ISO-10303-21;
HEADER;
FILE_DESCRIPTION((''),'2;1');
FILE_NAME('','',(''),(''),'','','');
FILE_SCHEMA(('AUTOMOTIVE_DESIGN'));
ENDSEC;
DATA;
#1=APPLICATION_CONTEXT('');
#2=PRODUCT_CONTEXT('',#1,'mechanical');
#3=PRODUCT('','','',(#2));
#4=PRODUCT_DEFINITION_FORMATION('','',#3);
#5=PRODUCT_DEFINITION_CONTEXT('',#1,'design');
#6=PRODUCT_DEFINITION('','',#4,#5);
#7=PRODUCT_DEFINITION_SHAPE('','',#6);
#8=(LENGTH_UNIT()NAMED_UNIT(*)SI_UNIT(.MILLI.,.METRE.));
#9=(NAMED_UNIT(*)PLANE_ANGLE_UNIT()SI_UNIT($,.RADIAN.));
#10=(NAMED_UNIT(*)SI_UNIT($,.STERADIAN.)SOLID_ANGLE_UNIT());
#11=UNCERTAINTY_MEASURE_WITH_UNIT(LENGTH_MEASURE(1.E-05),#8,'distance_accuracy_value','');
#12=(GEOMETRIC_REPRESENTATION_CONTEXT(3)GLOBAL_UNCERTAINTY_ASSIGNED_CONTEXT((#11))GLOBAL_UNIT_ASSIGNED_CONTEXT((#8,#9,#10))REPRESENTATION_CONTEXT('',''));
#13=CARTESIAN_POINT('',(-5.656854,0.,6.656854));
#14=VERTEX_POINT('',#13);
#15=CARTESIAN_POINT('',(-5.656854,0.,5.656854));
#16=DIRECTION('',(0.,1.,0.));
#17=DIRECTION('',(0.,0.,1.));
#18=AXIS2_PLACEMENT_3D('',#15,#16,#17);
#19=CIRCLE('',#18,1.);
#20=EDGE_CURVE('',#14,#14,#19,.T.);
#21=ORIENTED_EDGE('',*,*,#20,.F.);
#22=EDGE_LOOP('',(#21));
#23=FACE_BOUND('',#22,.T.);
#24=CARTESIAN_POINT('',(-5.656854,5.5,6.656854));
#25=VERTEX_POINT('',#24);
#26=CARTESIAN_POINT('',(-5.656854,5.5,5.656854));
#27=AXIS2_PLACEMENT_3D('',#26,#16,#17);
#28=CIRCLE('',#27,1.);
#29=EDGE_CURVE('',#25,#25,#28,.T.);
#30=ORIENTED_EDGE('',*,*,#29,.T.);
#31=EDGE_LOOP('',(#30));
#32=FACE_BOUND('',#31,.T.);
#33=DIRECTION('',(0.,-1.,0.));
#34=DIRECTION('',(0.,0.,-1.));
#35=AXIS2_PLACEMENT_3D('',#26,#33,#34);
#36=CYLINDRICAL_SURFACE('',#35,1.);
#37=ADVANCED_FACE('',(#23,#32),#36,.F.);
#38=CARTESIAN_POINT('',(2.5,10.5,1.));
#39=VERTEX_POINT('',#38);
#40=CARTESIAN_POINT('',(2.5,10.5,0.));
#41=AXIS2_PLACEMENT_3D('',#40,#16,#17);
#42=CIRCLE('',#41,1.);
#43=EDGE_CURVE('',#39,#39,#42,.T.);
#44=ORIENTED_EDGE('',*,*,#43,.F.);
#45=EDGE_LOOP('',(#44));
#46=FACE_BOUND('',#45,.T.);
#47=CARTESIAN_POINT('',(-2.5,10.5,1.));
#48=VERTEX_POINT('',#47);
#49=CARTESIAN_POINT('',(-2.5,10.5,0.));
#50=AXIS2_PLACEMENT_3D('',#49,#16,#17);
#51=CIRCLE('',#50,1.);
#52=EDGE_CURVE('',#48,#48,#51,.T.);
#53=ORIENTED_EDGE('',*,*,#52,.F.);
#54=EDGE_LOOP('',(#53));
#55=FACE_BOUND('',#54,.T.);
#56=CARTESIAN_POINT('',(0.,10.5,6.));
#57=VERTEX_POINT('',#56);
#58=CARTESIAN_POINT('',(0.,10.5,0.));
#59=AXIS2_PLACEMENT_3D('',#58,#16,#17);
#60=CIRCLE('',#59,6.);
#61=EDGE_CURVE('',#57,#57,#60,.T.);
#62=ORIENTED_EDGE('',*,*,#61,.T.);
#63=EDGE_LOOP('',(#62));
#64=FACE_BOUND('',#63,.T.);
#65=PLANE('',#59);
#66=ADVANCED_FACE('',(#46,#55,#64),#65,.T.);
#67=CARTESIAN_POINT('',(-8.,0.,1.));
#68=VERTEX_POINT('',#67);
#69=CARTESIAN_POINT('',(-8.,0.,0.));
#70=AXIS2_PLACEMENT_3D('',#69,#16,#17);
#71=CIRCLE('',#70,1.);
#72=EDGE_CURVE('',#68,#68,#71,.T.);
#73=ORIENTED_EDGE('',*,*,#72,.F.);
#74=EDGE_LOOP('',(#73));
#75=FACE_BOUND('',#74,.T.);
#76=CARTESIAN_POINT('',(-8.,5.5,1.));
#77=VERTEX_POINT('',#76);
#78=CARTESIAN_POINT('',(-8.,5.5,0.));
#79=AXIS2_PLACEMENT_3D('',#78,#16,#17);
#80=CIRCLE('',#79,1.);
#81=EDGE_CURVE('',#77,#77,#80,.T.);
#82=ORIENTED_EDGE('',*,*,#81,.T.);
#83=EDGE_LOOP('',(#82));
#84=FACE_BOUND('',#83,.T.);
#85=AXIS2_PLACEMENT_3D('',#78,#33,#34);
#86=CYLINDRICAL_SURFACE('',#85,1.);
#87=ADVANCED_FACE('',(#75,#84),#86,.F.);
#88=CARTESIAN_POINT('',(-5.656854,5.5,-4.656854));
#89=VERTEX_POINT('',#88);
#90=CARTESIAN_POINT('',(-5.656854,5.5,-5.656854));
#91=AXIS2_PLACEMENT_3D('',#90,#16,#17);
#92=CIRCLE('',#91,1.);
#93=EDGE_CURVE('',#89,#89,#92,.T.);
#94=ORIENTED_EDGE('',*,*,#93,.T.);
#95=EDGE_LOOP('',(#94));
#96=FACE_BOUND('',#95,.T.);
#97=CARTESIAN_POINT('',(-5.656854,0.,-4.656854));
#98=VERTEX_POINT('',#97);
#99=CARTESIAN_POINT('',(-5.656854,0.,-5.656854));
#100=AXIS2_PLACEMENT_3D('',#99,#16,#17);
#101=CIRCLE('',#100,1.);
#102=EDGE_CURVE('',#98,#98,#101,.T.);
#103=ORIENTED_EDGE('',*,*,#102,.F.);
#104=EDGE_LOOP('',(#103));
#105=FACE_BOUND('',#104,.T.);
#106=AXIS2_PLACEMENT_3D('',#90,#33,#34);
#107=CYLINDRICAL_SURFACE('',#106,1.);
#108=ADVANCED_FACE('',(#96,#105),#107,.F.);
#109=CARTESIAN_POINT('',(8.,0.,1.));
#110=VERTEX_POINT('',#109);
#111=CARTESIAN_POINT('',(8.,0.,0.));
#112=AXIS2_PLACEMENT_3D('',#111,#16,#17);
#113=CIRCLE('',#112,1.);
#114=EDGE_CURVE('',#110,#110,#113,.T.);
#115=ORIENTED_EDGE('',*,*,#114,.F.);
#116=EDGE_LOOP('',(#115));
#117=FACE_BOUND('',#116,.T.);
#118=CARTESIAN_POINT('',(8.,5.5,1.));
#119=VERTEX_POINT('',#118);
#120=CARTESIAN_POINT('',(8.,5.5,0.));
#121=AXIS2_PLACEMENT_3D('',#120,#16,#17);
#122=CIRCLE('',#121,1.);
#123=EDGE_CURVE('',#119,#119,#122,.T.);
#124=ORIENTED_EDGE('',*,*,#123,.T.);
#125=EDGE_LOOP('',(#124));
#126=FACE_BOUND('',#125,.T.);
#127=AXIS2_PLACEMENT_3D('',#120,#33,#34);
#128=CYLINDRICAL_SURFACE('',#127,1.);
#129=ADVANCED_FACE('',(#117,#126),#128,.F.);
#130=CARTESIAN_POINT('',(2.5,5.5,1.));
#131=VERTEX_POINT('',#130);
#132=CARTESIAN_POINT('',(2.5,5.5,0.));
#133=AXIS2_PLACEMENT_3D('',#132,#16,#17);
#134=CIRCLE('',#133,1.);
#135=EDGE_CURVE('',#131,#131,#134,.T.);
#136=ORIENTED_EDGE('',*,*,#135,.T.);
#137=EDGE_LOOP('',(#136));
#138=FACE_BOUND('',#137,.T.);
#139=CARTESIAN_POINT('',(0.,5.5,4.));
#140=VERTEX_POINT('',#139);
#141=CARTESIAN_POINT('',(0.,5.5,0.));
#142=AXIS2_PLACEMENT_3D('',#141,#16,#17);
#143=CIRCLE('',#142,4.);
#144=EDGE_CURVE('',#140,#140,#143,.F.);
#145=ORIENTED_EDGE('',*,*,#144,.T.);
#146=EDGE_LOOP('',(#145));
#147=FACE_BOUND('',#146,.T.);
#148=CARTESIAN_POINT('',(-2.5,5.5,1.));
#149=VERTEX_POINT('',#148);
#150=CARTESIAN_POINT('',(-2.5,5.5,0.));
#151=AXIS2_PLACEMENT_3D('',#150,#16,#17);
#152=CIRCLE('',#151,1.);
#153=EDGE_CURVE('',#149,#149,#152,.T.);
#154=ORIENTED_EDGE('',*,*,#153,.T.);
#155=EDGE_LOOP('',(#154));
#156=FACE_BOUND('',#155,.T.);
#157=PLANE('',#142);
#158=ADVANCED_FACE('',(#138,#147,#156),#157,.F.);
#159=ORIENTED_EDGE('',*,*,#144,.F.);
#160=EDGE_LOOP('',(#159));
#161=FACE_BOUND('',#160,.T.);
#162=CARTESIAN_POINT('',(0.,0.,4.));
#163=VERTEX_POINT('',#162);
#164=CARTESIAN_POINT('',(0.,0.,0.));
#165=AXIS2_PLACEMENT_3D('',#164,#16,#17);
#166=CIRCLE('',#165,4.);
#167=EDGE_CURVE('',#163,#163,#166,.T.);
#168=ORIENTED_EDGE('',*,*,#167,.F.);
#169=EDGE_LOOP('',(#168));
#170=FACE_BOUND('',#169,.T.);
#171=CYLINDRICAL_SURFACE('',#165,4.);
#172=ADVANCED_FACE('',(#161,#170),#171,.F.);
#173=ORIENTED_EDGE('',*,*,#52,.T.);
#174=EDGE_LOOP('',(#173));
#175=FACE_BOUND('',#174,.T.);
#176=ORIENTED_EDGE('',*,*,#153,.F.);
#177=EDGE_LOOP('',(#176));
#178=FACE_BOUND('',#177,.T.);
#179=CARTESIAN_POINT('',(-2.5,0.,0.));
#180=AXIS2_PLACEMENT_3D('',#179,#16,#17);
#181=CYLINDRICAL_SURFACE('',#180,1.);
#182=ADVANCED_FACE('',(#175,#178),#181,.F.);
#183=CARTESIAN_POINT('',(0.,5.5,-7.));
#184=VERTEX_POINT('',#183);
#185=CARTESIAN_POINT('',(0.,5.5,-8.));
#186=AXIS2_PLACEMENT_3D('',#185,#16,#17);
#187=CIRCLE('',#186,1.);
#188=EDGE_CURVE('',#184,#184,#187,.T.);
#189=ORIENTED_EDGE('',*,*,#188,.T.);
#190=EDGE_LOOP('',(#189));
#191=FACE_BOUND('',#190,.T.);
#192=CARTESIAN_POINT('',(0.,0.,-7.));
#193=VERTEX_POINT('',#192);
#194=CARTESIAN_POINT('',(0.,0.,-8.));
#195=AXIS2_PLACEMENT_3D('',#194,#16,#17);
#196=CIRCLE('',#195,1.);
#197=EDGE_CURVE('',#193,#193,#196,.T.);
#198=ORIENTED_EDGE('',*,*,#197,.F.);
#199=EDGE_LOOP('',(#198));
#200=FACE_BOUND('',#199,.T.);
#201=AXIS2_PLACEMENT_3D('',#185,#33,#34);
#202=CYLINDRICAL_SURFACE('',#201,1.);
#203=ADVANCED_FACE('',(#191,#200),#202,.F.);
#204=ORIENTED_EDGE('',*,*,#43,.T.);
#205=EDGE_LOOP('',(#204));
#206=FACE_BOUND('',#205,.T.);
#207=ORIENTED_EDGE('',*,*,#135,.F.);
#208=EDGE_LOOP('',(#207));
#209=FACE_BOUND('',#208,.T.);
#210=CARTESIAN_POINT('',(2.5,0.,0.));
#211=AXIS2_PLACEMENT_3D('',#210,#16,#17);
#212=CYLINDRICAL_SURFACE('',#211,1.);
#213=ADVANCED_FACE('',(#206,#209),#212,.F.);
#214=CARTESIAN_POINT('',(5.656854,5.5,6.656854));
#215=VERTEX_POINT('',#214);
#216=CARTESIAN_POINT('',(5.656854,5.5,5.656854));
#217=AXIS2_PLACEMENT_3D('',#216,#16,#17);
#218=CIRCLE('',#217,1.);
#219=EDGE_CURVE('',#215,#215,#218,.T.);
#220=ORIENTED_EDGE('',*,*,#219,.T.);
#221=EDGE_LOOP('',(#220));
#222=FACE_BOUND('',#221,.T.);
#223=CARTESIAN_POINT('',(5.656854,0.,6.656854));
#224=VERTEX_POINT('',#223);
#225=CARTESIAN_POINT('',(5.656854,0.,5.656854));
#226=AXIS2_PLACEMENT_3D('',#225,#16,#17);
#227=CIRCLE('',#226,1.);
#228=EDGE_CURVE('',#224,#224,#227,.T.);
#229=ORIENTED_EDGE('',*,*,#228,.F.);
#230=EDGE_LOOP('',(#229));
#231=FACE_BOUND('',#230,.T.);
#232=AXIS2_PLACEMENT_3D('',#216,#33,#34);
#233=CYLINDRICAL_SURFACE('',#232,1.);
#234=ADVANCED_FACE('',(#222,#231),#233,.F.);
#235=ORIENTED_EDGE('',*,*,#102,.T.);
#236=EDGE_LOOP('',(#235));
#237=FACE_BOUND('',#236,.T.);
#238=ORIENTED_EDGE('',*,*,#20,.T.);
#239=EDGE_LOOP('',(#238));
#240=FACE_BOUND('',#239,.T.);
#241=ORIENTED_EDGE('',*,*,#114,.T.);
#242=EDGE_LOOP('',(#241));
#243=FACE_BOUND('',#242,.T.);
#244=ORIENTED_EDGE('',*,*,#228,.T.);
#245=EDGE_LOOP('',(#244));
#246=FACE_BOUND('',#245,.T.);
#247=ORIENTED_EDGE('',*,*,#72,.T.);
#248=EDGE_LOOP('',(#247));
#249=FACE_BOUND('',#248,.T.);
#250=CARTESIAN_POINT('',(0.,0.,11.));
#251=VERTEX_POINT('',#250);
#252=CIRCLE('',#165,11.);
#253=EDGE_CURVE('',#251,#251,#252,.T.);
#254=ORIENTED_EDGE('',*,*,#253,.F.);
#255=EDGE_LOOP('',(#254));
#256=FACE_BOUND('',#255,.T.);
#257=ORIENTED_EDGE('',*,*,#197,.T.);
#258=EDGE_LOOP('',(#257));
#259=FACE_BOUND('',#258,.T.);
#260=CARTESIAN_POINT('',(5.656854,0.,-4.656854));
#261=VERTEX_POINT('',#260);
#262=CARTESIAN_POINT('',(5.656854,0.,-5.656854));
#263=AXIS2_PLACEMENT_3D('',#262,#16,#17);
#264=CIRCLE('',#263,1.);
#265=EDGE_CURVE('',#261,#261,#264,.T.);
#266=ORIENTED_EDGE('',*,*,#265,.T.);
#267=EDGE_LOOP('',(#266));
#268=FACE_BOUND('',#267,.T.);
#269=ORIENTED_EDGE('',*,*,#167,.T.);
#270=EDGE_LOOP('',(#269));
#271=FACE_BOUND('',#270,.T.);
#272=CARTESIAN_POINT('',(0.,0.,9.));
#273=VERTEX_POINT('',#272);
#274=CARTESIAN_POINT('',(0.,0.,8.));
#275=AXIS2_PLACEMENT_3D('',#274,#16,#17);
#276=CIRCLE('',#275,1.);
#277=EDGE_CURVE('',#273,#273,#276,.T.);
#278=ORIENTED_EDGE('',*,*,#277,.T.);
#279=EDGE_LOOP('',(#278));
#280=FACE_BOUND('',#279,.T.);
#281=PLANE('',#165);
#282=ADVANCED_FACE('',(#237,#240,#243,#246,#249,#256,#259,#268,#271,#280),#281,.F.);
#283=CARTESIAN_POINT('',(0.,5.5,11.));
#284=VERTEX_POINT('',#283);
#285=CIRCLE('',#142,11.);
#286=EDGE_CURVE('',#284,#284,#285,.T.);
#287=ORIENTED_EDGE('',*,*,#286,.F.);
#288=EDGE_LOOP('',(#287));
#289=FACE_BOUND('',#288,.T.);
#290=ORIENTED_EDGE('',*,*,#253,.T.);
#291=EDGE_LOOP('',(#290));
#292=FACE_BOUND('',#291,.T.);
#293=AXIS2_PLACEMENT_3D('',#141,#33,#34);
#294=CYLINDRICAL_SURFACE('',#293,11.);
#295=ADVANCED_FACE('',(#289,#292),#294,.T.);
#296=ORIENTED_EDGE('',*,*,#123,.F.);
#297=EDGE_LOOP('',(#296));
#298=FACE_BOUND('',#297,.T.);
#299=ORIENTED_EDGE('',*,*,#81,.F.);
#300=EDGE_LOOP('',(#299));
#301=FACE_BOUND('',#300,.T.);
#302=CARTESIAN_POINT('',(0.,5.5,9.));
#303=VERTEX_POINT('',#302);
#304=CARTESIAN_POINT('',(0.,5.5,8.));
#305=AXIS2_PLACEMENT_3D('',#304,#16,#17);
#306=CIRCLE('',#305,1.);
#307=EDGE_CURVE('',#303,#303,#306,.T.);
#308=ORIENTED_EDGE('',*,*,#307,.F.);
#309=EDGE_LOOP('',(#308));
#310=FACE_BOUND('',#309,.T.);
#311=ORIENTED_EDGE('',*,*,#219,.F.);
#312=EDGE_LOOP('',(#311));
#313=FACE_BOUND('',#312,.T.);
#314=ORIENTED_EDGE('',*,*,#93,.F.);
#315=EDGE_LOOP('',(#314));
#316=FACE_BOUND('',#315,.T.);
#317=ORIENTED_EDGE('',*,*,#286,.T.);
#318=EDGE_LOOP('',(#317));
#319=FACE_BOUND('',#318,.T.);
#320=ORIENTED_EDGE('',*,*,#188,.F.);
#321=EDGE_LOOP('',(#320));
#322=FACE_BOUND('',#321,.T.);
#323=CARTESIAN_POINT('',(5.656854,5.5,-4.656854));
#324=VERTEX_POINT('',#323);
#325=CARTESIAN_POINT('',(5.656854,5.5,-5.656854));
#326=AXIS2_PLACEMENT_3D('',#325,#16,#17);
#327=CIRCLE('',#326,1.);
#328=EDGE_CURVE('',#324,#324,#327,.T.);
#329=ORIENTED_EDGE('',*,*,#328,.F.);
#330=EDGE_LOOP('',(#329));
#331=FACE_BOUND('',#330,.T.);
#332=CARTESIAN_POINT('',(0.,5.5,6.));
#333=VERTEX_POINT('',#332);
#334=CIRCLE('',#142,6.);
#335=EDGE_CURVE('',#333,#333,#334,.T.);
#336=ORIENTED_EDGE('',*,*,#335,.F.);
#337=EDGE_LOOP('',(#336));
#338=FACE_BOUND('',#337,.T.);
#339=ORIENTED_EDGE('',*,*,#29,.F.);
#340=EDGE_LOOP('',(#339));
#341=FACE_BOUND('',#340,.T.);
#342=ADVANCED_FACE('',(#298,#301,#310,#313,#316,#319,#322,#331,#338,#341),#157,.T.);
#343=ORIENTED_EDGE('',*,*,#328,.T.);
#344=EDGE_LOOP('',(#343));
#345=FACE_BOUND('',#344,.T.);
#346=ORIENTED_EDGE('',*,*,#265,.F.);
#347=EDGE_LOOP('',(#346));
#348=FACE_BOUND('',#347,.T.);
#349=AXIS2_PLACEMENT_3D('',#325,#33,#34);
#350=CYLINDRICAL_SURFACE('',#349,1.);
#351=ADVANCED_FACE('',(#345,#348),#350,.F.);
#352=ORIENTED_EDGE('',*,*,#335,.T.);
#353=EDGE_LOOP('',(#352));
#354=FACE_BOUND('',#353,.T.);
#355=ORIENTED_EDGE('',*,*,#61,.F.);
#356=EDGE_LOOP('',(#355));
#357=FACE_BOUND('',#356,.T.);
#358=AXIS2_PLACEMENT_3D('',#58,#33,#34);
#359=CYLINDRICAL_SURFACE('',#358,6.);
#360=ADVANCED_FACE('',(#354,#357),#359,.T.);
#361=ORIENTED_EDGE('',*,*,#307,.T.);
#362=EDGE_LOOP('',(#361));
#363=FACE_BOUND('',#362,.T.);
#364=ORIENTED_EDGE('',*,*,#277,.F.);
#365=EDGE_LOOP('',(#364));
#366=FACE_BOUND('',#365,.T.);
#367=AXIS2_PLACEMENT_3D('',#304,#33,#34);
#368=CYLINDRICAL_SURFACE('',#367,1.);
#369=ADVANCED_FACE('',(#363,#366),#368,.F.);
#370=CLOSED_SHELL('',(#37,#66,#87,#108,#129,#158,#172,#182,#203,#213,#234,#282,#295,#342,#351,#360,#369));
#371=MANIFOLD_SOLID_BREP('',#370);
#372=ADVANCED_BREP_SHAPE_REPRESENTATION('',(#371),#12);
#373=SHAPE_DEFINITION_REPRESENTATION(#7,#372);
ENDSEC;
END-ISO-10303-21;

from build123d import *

# Parameters (mm, degrees)
SKETCH1_R           = 11
SKETCH1_R_2         = 1
BOSS_EXTRUDE1_DEPTH = 5.5
SKETCH2_R           = 4
CUT_EXTRUDE1_DEPTH  = 17.5
SKETCH9_R           = 6
BOSS_EXTRUDE4_DEPTH = 5
SKETCH10_R          = 1
CUT_EXTRUDE6_DEPTH  = 19.768324379


with BuildPart() as part:
    # Sketch1 → Boss-Extrude1 (new body)
    with BuildSketch(Plane(origin=(0, 0, 0), x_dir=(1, 0, 0), z_dir=(0, 1, 0))):
        Circle(SKETCH1_R)
        with Locations((0, 8)):
            Circle(SKETCH1_R_2, mode=Mode.SUBTRACT)
        with Locations((5.656854249, 5.656854249)):
            Circle(SKETCH1_R_2, mode=Mode.SUBTRACT)
        with Locations((8, 0)):
            Circle(SKETCH1_R_2, mode=Mode.SUBTRACT)
        with Locations((5.656854249, -5.656854249)):
            Circle(SKETCH1_R_2, mode=Mode.SUBTRACT)
        with Locations((0, -8)):
            Circle(SKETCH1_R_2, mode=Mode.SUBTRACT)
        with Locations((-5.656854249, -5.656854249)):
            Circle(SKETCH1_R_2, mode=Mode.SUBTRACT)
        with Locations((-8, 0)):
            Circle(SKETCH1_R_2, mode=Mode.SUBTRACT)
        with Locations((-5.656854249, 5.656854249)):
            Circle(SKETCH1_R_2, mode=Mode.SUBTRACT)
    extrude(amount=BOSS_EXTRUDE1_DEPTH)

    # Sketch2 → Cut-Extrude1 (cut, through all)
    with BuildSketch(Plane(origin=(0, 5.5, 0), x_dir=(1, 0, 0), z_dir=(0, 1, 0))):
        Circle(SKETCH2_R)
    extrude(amount=-CUT_EXTRUDE1_DEPTH, mode=Mode.SUBTRACT)

    # Sketch9 → Boss-Extrude4 (add)
    with BuildSketch(Plane(origin=(0, 5.5, 0), x_dir=(1, 0, 0), z_dir=(0, 1, 0))):
        Circle(SKETCH9_R)
    extrude(amount=BOSS_EXTRUDE4_DEPTH)

    # Sketch10 → Cut-Extrude6 (cut, through all)
    with BuildSketch(Plane(origin=(0, 10.5, 0), x_dir=(1, 0, 0), z_dir=(0, 1, 0))):
        with Locations((-2.5, 0)):
            Circle(SKETCH10_R)
        with Locations((2.5, 0)):
            Circle(SKETCH10_R)
    extrude(amount=-CUT_EXTRUDE6_DEPTH, mode=Mode.SUBTRACT)


solid = part.part
